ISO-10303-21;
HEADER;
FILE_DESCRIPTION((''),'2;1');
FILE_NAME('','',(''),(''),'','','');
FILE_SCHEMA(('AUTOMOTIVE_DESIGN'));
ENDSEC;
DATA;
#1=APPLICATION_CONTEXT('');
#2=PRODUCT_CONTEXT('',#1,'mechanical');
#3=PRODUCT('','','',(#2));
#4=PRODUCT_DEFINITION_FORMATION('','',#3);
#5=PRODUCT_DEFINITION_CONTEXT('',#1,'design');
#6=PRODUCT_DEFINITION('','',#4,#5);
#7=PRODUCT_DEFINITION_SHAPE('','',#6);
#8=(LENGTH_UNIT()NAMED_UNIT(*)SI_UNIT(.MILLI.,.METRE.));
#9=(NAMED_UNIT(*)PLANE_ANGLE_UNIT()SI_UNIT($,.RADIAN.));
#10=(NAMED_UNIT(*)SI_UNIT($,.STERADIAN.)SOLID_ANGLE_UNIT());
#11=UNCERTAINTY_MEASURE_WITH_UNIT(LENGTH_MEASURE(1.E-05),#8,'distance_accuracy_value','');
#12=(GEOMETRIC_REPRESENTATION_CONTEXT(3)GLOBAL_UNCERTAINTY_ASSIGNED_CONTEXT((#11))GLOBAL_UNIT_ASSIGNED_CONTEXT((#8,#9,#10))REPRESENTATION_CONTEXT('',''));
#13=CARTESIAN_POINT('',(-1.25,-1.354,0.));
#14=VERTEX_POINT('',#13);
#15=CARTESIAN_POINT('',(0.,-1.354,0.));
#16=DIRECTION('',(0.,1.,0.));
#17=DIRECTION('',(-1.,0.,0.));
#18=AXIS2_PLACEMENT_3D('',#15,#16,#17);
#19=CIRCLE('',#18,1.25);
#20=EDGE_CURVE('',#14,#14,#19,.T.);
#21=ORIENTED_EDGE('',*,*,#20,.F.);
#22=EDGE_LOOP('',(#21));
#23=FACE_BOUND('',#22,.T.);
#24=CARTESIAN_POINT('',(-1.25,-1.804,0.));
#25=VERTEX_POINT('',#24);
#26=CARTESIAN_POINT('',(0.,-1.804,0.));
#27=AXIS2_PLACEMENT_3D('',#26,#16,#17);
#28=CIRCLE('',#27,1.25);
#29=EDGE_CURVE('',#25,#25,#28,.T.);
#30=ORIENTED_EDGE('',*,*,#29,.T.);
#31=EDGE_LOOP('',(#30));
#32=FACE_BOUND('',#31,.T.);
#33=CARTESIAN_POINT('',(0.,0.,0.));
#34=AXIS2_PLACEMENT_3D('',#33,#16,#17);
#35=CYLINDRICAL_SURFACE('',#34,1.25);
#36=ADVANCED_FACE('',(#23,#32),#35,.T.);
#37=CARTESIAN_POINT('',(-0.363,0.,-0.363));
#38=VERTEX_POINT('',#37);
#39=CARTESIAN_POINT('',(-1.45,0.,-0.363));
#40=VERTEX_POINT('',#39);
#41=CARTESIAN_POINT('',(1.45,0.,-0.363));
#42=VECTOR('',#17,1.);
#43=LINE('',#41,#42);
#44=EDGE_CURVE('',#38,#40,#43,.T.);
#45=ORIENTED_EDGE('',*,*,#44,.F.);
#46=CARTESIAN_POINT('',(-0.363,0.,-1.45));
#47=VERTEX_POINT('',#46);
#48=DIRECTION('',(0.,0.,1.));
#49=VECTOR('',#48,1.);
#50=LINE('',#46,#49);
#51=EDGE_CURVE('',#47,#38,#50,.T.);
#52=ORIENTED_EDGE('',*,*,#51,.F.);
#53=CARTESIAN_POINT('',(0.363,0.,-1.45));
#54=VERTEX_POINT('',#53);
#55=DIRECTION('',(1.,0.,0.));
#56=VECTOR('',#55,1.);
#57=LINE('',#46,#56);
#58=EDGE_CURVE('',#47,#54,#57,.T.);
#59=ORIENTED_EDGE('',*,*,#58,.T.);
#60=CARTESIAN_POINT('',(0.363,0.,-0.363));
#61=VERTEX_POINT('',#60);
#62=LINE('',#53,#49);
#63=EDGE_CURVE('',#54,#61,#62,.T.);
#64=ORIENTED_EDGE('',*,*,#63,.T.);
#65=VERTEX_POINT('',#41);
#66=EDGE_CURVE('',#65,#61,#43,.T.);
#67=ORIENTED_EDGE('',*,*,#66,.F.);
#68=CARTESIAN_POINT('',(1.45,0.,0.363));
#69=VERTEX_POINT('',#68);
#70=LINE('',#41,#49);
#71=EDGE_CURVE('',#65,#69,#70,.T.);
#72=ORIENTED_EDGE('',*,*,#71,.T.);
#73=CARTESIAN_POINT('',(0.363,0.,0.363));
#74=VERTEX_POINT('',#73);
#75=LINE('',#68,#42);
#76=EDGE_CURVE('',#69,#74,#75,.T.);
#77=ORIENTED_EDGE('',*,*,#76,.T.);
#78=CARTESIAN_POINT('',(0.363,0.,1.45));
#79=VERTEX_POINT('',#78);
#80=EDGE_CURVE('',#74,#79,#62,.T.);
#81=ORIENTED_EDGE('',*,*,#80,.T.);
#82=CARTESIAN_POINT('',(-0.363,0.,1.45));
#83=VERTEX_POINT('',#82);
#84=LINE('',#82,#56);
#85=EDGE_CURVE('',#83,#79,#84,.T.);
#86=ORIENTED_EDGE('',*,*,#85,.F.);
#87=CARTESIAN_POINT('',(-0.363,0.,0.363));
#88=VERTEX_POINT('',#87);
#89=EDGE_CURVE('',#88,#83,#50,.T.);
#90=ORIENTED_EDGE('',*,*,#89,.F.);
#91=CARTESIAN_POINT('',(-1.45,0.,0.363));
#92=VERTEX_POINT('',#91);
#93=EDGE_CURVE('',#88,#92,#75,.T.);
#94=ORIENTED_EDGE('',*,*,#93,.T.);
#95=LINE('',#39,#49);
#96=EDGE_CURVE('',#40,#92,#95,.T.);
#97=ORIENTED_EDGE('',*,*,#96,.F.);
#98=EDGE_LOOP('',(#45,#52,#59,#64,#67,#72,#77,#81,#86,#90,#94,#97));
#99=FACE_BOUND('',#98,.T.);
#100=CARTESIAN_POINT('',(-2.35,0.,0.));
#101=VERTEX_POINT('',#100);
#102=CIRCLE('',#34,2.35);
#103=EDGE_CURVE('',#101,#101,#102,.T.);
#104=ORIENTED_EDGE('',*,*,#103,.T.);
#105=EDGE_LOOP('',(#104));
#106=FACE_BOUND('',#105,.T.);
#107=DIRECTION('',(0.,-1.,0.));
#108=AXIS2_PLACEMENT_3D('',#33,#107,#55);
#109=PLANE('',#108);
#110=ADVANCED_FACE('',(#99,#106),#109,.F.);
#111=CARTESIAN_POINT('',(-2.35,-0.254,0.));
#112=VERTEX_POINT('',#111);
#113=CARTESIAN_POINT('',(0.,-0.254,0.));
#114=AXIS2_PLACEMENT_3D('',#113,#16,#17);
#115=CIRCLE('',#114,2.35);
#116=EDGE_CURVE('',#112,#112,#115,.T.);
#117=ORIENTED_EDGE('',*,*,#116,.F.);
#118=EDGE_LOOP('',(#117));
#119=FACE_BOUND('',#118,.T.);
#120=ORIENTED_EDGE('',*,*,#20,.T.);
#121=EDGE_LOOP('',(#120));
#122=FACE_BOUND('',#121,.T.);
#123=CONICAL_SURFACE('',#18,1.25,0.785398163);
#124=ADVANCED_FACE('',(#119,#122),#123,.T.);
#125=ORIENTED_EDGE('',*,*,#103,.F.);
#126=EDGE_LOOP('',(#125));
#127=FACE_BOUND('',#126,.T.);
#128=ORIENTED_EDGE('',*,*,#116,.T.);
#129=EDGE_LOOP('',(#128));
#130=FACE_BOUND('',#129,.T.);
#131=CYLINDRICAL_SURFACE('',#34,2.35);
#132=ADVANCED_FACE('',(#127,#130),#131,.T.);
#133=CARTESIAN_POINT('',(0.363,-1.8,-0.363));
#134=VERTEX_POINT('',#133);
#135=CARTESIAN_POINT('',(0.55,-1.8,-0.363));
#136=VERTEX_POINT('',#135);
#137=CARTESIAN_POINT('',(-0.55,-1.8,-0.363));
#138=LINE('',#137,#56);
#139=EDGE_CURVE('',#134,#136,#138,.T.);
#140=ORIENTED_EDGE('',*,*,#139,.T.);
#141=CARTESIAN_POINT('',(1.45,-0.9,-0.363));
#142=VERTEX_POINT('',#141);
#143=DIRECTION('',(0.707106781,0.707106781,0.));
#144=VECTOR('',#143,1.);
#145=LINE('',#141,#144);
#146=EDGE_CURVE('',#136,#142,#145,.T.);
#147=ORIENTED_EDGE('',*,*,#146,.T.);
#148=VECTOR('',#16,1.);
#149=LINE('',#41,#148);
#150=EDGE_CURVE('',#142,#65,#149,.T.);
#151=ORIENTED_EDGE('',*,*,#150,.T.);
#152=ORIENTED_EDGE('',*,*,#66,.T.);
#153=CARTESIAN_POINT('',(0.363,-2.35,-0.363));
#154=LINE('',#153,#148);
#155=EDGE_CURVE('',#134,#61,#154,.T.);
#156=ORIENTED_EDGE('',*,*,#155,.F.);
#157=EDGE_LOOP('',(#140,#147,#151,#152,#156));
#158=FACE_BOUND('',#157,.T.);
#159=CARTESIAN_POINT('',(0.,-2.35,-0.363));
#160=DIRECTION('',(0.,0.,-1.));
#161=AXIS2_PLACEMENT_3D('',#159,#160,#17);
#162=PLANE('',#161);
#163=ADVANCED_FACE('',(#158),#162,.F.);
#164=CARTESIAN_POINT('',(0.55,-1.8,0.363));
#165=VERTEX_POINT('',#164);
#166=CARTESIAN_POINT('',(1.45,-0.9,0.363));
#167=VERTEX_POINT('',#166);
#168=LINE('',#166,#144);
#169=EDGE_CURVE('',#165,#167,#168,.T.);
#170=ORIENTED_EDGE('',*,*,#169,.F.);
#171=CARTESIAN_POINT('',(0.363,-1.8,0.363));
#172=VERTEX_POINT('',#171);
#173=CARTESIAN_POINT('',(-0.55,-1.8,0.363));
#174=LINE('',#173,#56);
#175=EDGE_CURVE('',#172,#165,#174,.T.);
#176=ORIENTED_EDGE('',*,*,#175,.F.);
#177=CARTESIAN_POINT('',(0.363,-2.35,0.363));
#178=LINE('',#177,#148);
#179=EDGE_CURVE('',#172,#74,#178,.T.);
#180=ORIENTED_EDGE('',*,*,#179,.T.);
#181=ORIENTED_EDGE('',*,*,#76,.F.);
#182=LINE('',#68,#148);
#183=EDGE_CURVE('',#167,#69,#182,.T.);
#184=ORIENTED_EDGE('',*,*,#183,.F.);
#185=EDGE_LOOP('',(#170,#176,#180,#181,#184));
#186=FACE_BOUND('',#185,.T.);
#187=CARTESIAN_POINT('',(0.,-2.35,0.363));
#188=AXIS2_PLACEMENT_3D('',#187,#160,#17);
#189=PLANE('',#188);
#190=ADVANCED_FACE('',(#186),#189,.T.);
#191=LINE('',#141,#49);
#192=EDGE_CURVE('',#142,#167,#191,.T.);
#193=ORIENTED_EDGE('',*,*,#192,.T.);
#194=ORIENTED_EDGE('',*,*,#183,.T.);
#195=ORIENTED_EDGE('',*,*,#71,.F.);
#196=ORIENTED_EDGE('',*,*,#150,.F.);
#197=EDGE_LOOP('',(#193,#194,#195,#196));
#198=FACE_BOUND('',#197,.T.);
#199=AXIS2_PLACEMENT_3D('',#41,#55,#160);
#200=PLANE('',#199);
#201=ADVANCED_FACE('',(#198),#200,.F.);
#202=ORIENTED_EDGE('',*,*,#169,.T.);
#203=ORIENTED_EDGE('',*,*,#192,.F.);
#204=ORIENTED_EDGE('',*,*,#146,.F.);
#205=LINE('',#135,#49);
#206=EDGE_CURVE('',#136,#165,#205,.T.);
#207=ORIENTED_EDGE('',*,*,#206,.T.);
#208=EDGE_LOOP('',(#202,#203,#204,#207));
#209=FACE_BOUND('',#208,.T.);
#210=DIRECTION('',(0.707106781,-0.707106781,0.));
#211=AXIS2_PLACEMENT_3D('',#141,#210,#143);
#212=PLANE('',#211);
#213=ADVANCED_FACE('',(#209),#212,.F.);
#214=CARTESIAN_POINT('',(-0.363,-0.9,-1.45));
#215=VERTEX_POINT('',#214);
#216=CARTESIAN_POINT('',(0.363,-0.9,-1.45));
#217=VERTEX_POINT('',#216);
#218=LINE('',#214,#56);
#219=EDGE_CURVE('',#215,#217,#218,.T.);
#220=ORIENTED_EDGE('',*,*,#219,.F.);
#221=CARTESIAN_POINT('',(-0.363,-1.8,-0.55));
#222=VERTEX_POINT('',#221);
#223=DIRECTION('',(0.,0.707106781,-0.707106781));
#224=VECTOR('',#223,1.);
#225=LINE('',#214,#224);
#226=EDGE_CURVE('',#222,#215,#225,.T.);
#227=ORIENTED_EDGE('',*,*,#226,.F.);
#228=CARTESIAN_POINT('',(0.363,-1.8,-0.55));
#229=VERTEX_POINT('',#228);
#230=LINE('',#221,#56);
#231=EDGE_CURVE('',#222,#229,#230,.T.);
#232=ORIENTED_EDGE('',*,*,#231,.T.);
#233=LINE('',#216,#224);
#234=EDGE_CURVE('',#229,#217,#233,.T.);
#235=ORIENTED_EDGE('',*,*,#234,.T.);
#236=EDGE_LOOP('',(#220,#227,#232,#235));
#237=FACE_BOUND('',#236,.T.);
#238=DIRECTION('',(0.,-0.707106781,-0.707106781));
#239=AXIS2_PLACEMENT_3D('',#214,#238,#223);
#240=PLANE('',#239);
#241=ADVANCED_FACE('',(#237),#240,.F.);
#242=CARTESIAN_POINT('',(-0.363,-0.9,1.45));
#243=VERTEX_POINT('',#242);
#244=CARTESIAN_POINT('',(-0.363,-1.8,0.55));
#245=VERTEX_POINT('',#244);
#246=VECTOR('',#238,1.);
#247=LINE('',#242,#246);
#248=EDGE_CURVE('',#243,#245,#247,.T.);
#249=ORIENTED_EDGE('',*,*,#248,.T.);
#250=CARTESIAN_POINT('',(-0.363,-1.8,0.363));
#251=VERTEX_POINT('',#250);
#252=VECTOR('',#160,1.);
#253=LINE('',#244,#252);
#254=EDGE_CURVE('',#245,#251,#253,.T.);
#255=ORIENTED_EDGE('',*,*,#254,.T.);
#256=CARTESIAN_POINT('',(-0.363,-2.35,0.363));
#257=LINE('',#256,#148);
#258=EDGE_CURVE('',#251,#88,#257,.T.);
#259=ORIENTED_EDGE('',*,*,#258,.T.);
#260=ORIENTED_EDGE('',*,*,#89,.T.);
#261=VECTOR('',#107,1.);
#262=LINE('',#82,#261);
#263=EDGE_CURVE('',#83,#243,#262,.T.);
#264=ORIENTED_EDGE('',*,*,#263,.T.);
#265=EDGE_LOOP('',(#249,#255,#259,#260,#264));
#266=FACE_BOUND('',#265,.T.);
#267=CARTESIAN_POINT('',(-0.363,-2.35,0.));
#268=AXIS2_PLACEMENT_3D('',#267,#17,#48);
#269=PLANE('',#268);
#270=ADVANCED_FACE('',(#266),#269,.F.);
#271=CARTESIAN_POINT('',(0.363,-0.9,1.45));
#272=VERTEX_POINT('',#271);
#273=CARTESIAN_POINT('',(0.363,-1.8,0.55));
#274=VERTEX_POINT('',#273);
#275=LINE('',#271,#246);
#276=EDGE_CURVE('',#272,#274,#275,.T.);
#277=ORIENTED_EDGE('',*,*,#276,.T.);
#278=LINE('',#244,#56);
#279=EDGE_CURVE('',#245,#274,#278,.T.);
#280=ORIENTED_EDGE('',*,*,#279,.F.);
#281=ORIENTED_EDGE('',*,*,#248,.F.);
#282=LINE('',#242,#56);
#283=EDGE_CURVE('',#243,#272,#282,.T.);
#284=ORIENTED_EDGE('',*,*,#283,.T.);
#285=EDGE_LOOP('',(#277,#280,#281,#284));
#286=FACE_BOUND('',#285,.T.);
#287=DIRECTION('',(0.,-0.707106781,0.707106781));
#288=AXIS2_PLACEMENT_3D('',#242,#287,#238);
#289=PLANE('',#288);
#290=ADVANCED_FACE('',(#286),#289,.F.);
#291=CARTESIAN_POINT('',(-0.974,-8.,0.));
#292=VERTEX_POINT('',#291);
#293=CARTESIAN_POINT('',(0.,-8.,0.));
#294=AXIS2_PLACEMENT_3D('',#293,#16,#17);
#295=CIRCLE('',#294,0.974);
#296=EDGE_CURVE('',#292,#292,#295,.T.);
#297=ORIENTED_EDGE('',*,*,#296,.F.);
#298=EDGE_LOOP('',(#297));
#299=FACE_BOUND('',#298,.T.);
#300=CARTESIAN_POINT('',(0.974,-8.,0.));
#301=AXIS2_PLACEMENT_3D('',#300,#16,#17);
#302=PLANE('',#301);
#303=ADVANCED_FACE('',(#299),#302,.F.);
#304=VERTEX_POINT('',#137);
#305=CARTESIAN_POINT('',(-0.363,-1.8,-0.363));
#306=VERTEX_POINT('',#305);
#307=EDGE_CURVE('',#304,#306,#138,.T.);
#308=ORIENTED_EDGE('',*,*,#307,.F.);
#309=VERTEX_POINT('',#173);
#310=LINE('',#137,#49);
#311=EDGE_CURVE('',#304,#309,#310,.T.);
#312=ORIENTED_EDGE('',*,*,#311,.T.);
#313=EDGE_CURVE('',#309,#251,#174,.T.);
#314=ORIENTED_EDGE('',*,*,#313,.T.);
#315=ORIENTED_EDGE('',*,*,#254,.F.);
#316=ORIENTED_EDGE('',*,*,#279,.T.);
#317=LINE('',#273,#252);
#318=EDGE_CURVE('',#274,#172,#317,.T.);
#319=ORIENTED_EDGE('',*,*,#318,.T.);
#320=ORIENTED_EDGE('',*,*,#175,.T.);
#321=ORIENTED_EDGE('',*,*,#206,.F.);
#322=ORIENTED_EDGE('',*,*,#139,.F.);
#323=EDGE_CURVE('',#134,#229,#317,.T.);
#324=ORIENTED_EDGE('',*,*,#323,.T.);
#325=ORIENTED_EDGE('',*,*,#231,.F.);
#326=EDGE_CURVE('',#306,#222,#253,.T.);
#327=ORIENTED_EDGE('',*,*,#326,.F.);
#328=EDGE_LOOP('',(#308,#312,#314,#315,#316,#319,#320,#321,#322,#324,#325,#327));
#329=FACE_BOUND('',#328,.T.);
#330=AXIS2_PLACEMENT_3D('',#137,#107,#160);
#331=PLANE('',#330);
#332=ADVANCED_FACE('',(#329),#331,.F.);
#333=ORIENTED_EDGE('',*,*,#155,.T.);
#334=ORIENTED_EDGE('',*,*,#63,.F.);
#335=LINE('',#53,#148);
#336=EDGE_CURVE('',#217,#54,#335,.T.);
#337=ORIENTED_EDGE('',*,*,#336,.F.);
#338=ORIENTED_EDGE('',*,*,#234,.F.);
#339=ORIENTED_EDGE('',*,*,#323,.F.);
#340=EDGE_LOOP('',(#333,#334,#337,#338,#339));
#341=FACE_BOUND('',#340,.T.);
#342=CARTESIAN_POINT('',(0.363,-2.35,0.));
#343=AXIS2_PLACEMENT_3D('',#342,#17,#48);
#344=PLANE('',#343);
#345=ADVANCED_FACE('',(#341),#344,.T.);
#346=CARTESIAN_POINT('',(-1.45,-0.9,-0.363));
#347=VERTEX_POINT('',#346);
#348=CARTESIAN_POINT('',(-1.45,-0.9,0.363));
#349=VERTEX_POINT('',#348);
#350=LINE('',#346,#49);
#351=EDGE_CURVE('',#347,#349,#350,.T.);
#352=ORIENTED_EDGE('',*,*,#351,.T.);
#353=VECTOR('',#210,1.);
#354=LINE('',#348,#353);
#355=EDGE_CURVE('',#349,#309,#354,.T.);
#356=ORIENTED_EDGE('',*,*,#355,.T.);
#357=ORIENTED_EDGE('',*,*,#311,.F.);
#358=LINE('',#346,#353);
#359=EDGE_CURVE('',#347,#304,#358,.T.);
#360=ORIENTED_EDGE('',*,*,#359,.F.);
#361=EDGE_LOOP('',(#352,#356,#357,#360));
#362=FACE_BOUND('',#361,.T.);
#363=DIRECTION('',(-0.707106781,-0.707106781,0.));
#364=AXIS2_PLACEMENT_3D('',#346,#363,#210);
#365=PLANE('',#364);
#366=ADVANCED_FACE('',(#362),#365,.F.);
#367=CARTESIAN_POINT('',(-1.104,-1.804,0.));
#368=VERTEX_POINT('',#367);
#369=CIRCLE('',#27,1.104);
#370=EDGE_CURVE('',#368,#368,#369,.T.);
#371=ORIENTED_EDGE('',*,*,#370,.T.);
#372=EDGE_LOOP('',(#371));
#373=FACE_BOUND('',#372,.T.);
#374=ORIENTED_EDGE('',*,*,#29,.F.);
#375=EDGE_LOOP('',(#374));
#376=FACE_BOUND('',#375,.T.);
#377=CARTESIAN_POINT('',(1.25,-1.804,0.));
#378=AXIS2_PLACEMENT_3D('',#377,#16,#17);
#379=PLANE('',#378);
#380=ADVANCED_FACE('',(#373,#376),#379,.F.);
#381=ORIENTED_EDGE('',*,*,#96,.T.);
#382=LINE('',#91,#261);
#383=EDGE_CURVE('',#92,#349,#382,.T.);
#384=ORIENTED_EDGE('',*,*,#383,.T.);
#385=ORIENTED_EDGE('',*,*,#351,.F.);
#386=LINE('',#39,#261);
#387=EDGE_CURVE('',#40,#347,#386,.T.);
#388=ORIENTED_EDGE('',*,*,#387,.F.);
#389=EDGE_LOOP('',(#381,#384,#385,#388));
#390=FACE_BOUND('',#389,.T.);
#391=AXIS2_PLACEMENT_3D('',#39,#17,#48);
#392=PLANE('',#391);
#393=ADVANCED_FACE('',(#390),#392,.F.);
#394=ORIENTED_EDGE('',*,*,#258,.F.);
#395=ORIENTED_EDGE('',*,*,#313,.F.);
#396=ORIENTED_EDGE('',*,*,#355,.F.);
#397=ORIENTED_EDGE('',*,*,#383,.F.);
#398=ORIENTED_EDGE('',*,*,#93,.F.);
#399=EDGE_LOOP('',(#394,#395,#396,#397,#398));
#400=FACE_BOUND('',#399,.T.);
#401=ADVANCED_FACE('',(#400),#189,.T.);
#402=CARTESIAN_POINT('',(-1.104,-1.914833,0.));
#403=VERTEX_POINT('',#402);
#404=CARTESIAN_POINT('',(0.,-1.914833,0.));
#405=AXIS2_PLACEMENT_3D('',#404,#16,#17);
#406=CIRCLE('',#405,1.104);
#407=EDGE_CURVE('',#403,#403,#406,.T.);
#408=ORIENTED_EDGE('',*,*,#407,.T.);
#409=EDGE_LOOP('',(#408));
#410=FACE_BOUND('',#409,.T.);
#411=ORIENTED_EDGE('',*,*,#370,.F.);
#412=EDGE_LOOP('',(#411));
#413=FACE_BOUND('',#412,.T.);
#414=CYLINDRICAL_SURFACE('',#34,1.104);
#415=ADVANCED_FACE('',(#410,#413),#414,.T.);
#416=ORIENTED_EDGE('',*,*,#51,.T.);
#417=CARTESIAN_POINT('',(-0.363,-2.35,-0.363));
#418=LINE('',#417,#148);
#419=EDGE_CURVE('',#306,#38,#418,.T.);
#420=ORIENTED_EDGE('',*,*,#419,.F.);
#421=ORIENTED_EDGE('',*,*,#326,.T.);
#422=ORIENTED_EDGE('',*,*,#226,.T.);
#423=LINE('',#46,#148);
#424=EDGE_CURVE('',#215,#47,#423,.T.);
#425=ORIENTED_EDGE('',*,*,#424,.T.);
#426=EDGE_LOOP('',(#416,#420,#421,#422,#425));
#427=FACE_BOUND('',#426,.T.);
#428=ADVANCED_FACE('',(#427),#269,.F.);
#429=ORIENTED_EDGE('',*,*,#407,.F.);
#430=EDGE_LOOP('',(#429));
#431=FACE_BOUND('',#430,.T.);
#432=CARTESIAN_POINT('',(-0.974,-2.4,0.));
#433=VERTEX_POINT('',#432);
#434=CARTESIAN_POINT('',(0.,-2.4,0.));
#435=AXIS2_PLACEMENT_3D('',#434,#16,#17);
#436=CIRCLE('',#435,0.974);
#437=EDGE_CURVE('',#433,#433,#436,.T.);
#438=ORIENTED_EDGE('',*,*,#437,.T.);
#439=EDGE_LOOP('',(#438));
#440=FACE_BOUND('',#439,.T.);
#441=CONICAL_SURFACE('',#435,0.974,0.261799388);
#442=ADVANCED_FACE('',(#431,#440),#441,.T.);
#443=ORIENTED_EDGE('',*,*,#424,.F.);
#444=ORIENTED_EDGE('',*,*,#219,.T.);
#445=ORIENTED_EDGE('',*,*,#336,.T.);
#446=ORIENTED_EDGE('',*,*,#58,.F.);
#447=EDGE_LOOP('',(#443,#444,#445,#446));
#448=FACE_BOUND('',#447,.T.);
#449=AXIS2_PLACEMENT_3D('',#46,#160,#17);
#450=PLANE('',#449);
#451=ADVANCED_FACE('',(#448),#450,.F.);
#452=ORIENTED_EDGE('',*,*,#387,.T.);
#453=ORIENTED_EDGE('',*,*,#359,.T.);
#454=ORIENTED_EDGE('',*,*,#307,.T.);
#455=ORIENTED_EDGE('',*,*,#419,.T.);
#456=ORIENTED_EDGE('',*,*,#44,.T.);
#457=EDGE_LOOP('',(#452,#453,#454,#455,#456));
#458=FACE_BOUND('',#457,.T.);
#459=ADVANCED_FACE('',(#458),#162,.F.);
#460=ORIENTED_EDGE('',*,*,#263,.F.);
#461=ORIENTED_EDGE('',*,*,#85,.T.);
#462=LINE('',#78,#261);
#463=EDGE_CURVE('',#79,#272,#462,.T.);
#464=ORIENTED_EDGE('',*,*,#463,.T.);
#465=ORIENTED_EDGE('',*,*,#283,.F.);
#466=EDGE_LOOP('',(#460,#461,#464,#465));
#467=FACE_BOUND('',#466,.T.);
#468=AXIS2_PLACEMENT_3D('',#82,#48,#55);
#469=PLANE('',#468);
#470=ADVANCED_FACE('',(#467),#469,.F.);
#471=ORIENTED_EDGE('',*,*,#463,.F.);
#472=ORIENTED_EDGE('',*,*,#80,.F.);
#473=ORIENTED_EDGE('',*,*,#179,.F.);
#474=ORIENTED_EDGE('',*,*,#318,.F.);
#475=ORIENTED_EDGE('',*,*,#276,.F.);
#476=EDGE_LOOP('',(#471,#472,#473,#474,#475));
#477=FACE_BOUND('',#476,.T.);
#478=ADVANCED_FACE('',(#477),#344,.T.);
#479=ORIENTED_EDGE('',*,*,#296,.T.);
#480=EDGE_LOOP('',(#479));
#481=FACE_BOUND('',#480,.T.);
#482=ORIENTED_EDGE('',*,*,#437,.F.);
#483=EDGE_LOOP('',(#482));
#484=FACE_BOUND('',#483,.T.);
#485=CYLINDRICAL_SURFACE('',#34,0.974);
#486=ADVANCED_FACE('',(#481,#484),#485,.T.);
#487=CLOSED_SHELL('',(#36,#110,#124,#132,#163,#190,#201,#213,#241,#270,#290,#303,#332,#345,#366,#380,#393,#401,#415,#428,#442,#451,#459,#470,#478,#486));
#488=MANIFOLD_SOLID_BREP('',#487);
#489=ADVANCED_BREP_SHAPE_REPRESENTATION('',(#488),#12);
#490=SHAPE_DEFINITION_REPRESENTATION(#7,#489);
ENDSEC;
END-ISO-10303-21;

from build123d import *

# Parameters (mm, degrees)
KREUZSCHLITZ1_H_DEPTH      = 0.363
KREUZSCHLITZ1_H_DEPTH_BACK = 0.363
KREUZSCHLITZ2_H_DEPTH      = 0.363
KREUZSCHLITZ2_H_DEPTH_BACK = 0.363


with BuildPart() as part:
    # Skizze1 → Basis-Rotation (revolve)
    with BuildSketch(Plane.XY, mode=Mode.PRIVATE) as basis_rotation_sk:
        Polygon((0, 0), (2.35, 0), (2.35, -0.254), (1.25, -1.354), (1.25, -1.804), (1.104, -1.804), (1.104, -1.914833395), (0.974, -2.4), (0.974, -8), (0, -8), align=None)
    revolve(basis_rotation_sk.sketch.rotate(Axis((0, 0, 0), (0, -1, 0)), 180), axis=Axis((0, 0, 0), (0, -1, 0)))

    # Skizze2 → Kreuzschlitz1 H (cut, two sides: drawn at the far end of the back side and taken through both)
    with BuildSketch(Plane.XY.offset(-KREUZSCHLITZ1_H_DEPTH_BACK)):
        Polygon((-0.55, -1.8), (0.55, -1.8), (1.45, -0.9), (1.45, 0), (-1.45, 0), (-1.45, -0.9), align=None)
    extrude(amount=KREUZSCHLITZ1_H_DEPTH + KREUZSCHLITZ1_H_DEPTH_BACK, mode=Mode.SUBTRACT)

    # Skizze3 → Kreuzschlitz2 H (cut, two sides: drawn at the far end of the back side and taken through both)
    with BuildSketch(Plane(origin=(0, 0, 0), x_dir=(0, 0, -1), z_dir=(1, 0, 0)).offset(-KREUZSCHLITZ2_H_DEPTH_BACK)):
        Polygon((-0.55, -1.8), (0.55, -1.8), (1.45, -0.9), (1.45, 0), (-1.45, 0), (-1.45, -0.9), align=None)
    extrude(amount=KREUZSCHLITZ2_H_DEPTH + KREUZSCHLITZ2_H_DEPTH_BACK, mode=Mode.SUBTRACT)


solid = part.part
